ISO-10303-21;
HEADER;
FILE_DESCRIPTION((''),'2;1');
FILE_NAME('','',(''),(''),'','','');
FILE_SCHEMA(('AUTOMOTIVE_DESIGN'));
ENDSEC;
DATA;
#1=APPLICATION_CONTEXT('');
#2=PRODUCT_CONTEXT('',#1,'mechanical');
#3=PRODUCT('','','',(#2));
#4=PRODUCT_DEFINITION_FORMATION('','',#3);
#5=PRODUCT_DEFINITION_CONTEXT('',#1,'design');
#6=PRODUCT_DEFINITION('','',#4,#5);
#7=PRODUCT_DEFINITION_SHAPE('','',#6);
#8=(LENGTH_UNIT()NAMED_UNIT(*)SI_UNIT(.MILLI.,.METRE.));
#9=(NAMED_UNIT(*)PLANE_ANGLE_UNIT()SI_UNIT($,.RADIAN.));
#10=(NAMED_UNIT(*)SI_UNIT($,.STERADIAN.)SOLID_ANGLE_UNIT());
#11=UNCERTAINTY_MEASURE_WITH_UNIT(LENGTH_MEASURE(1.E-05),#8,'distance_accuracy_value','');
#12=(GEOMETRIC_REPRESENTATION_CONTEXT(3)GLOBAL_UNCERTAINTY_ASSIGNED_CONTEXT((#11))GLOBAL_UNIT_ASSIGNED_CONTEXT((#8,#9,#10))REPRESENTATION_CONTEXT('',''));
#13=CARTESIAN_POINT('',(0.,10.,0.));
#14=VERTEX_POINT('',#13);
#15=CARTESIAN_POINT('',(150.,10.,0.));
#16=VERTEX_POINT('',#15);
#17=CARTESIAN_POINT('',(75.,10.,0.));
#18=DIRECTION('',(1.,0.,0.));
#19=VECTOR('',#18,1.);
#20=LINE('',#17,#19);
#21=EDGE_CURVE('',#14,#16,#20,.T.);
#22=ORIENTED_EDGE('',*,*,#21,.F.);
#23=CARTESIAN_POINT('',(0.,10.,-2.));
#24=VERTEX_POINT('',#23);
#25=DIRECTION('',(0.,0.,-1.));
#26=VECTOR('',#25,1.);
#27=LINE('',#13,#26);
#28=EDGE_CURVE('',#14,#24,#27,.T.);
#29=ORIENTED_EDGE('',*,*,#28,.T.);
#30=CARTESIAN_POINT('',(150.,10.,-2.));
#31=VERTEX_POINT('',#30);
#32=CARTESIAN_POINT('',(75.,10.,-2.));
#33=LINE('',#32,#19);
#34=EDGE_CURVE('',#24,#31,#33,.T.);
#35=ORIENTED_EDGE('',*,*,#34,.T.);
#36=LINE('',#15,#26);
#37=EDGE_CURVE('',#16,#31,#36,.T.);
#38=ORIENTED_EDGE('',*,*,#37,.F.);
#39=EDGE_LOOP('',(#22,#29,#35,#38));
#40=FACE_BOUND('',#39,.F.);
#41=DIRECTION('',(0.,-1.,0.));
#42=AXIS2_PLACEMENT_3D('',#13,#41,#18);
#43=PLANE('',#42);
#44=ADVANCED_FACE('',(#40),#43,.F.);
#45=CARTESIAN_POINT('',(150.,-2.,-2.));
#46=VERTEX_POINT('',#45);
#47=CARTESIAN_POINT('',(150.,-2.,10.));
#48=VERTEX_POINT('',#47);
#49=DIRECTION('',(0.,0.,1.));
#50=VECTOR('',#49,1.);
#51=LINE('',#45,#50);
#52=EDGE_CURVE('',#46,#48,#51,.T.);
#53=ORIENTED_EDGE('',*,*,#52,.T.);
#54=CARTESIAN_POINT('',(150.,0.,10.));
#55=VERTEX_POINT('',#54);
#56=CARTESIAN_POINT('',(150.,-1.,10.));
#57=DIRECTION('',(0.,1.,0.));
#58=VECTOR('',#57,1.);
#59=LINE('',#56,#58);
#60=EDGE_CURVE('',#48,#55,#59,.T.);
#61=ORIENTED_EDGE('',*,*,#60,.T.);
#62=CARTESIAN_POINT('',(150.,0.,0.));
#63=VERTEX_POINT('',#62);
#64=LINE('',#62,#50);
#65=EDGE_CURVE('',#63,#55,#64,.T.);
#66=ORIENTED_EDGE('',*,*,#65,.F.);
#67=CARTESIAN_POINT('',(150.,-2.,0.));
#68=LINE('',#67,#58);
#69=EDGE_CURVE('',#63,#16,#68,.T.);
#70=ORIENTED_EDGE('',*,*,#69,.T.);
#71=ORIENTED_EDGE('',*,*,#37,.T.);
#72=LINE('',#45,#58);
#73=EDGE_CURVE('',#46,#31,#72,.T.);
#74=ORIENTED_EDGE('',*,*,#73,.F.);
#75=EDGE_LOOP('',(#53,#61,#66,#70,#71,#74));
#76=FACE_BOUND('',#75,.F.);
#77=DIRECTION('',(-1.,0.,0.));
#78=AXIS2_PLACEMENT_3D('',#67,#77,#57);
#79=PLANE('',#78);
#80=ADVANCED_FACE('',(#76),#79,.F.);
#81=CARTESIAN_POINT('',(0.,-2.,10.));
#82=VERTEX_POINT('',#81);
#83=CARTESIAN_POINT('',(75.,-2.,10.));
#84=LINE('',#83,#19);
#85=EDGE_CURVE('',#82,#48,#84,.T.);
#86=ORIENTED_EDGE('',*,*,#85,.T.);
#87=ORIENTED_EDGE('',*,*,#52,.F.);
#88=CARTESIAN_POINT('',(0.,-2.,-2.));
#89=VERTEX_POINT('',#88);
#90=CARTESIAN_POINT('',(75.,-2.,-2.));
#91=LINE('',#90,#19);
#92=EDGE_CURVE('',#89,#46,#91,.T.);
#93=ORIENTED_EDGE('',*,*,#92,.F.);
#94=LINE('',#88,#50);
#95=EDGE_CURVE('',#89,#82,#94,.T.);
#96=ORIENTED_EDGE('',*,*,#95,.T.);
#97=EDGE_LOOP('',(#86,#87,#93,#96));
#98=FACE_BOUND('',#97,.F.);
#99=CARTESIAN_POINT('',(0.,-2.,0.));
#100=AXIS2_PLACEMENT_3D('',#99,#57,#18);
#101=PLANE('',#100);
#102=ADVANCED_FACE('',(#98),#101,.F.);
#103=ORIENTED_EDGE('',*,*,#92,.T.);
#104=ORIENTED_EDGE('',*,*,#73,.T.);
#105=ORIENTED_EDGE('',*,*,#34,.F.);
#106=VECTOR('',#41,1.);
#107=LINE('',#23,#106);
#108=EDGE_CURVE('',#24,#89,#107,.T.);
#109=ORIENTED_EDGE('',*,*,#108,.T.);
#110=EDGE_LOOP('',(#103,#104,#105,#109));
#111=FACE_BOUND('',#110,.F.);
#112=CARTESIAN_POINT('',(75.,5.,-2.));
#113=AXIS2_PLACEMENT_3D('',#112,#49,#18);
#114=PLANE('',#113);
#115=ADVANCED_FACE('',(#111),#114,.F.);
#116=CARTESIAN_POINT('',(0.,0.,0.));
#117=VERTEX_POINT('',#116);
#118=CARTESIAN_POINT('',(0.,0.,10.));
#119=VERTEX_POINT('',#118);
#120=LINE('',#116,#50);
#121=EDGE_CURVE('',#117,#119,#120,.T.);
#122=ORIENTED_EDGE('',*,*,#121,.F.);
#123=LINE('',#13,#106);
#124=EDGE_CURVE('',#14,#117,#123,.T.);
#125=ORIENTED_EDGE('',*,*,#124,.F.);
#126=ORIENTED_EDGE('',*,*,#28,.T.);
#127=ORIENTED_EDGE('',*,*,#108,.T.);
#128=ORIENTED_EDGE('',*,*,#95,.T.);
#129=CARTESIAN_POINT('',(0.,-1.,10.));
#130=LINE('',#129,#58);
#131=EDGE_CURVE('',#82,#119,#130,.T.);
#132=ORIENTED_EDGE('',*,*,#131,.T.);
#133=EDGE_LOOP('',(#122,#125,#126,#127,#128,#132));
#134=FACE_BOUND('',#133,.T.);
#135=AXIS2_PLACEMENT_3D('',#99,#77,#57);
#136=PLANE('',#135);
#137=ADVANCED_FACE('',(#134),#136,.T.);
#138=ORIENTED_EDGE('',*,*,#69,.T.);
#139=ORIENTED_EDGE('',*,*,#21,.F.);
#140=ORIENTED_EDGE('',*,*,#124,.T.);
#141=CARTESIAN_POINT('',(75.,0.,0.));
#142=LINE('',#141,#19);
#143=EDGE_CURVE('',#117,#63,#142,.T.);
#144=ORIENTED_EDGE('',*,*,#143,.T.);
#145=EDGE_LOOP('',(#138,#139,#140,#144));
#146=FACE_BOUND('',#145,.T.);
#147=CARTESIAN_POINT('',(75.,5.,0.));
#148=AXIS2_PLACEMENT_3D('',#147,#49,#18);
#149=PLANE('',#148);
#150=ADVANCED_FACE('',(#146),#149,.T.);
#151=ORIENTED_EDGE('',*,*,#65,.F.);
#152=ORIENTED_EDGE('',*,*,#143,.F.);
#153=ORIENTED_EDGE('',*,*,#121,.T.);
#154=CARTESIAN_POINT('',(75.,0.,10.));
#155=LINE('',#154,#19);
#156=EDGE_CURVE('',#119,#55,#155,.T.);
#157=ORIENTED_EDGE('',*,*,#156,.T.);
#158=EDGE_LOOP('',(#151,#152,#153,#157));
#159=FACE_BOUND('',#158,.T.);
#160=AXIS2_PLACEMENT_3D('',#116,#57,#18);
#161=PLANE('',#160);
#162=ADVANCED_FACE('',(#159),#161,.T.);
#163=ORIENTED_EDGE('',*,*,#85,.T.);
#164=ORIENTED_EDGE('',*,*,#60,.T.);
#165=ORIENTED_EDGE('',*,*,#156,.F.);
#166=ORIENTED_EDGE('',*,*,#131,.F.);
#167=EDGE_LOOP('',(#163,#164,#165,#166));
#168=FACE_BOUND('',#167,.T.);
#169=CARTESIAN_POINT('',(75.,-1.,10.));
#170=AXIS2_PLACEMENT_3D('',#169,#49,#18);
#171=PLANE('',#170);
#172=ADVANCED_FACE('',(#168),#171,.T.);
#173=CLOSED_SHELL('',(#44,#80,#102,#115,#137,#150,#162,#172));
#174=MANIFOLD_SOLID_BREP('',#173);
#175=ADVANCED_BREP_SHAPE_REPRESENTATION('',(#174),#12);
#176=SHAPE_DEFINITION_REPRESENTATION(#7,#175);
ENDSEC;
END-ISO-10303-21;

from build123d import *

# Parameters (mm, degrees)
F0_W     = 150
F0_H     = 10
F0_H_2   = 2
F1_DEPTH = 2
F2_DEPTH = 10


with BuildPart() as f1:
    # F0 (on Top) → F1 (new body)
    with BuildSketch(Plane.XY):
        with Locations((75, 5)):
            Rectangle(F0_W, F0_H)
        with Locations((75, -1)):
            Rectangle(F0_W, F0_H_2)
    extrude(amount=-F1_DEPTH)

    # F0 (on Top) → F2 (join)
    with BuildSketch(Plane.XY):
        with Locations((75, -1)):
            Rectangle(F0_W, F0_H_2)
    extrude(amount=F2_DEPTH)


solid = f1.part
